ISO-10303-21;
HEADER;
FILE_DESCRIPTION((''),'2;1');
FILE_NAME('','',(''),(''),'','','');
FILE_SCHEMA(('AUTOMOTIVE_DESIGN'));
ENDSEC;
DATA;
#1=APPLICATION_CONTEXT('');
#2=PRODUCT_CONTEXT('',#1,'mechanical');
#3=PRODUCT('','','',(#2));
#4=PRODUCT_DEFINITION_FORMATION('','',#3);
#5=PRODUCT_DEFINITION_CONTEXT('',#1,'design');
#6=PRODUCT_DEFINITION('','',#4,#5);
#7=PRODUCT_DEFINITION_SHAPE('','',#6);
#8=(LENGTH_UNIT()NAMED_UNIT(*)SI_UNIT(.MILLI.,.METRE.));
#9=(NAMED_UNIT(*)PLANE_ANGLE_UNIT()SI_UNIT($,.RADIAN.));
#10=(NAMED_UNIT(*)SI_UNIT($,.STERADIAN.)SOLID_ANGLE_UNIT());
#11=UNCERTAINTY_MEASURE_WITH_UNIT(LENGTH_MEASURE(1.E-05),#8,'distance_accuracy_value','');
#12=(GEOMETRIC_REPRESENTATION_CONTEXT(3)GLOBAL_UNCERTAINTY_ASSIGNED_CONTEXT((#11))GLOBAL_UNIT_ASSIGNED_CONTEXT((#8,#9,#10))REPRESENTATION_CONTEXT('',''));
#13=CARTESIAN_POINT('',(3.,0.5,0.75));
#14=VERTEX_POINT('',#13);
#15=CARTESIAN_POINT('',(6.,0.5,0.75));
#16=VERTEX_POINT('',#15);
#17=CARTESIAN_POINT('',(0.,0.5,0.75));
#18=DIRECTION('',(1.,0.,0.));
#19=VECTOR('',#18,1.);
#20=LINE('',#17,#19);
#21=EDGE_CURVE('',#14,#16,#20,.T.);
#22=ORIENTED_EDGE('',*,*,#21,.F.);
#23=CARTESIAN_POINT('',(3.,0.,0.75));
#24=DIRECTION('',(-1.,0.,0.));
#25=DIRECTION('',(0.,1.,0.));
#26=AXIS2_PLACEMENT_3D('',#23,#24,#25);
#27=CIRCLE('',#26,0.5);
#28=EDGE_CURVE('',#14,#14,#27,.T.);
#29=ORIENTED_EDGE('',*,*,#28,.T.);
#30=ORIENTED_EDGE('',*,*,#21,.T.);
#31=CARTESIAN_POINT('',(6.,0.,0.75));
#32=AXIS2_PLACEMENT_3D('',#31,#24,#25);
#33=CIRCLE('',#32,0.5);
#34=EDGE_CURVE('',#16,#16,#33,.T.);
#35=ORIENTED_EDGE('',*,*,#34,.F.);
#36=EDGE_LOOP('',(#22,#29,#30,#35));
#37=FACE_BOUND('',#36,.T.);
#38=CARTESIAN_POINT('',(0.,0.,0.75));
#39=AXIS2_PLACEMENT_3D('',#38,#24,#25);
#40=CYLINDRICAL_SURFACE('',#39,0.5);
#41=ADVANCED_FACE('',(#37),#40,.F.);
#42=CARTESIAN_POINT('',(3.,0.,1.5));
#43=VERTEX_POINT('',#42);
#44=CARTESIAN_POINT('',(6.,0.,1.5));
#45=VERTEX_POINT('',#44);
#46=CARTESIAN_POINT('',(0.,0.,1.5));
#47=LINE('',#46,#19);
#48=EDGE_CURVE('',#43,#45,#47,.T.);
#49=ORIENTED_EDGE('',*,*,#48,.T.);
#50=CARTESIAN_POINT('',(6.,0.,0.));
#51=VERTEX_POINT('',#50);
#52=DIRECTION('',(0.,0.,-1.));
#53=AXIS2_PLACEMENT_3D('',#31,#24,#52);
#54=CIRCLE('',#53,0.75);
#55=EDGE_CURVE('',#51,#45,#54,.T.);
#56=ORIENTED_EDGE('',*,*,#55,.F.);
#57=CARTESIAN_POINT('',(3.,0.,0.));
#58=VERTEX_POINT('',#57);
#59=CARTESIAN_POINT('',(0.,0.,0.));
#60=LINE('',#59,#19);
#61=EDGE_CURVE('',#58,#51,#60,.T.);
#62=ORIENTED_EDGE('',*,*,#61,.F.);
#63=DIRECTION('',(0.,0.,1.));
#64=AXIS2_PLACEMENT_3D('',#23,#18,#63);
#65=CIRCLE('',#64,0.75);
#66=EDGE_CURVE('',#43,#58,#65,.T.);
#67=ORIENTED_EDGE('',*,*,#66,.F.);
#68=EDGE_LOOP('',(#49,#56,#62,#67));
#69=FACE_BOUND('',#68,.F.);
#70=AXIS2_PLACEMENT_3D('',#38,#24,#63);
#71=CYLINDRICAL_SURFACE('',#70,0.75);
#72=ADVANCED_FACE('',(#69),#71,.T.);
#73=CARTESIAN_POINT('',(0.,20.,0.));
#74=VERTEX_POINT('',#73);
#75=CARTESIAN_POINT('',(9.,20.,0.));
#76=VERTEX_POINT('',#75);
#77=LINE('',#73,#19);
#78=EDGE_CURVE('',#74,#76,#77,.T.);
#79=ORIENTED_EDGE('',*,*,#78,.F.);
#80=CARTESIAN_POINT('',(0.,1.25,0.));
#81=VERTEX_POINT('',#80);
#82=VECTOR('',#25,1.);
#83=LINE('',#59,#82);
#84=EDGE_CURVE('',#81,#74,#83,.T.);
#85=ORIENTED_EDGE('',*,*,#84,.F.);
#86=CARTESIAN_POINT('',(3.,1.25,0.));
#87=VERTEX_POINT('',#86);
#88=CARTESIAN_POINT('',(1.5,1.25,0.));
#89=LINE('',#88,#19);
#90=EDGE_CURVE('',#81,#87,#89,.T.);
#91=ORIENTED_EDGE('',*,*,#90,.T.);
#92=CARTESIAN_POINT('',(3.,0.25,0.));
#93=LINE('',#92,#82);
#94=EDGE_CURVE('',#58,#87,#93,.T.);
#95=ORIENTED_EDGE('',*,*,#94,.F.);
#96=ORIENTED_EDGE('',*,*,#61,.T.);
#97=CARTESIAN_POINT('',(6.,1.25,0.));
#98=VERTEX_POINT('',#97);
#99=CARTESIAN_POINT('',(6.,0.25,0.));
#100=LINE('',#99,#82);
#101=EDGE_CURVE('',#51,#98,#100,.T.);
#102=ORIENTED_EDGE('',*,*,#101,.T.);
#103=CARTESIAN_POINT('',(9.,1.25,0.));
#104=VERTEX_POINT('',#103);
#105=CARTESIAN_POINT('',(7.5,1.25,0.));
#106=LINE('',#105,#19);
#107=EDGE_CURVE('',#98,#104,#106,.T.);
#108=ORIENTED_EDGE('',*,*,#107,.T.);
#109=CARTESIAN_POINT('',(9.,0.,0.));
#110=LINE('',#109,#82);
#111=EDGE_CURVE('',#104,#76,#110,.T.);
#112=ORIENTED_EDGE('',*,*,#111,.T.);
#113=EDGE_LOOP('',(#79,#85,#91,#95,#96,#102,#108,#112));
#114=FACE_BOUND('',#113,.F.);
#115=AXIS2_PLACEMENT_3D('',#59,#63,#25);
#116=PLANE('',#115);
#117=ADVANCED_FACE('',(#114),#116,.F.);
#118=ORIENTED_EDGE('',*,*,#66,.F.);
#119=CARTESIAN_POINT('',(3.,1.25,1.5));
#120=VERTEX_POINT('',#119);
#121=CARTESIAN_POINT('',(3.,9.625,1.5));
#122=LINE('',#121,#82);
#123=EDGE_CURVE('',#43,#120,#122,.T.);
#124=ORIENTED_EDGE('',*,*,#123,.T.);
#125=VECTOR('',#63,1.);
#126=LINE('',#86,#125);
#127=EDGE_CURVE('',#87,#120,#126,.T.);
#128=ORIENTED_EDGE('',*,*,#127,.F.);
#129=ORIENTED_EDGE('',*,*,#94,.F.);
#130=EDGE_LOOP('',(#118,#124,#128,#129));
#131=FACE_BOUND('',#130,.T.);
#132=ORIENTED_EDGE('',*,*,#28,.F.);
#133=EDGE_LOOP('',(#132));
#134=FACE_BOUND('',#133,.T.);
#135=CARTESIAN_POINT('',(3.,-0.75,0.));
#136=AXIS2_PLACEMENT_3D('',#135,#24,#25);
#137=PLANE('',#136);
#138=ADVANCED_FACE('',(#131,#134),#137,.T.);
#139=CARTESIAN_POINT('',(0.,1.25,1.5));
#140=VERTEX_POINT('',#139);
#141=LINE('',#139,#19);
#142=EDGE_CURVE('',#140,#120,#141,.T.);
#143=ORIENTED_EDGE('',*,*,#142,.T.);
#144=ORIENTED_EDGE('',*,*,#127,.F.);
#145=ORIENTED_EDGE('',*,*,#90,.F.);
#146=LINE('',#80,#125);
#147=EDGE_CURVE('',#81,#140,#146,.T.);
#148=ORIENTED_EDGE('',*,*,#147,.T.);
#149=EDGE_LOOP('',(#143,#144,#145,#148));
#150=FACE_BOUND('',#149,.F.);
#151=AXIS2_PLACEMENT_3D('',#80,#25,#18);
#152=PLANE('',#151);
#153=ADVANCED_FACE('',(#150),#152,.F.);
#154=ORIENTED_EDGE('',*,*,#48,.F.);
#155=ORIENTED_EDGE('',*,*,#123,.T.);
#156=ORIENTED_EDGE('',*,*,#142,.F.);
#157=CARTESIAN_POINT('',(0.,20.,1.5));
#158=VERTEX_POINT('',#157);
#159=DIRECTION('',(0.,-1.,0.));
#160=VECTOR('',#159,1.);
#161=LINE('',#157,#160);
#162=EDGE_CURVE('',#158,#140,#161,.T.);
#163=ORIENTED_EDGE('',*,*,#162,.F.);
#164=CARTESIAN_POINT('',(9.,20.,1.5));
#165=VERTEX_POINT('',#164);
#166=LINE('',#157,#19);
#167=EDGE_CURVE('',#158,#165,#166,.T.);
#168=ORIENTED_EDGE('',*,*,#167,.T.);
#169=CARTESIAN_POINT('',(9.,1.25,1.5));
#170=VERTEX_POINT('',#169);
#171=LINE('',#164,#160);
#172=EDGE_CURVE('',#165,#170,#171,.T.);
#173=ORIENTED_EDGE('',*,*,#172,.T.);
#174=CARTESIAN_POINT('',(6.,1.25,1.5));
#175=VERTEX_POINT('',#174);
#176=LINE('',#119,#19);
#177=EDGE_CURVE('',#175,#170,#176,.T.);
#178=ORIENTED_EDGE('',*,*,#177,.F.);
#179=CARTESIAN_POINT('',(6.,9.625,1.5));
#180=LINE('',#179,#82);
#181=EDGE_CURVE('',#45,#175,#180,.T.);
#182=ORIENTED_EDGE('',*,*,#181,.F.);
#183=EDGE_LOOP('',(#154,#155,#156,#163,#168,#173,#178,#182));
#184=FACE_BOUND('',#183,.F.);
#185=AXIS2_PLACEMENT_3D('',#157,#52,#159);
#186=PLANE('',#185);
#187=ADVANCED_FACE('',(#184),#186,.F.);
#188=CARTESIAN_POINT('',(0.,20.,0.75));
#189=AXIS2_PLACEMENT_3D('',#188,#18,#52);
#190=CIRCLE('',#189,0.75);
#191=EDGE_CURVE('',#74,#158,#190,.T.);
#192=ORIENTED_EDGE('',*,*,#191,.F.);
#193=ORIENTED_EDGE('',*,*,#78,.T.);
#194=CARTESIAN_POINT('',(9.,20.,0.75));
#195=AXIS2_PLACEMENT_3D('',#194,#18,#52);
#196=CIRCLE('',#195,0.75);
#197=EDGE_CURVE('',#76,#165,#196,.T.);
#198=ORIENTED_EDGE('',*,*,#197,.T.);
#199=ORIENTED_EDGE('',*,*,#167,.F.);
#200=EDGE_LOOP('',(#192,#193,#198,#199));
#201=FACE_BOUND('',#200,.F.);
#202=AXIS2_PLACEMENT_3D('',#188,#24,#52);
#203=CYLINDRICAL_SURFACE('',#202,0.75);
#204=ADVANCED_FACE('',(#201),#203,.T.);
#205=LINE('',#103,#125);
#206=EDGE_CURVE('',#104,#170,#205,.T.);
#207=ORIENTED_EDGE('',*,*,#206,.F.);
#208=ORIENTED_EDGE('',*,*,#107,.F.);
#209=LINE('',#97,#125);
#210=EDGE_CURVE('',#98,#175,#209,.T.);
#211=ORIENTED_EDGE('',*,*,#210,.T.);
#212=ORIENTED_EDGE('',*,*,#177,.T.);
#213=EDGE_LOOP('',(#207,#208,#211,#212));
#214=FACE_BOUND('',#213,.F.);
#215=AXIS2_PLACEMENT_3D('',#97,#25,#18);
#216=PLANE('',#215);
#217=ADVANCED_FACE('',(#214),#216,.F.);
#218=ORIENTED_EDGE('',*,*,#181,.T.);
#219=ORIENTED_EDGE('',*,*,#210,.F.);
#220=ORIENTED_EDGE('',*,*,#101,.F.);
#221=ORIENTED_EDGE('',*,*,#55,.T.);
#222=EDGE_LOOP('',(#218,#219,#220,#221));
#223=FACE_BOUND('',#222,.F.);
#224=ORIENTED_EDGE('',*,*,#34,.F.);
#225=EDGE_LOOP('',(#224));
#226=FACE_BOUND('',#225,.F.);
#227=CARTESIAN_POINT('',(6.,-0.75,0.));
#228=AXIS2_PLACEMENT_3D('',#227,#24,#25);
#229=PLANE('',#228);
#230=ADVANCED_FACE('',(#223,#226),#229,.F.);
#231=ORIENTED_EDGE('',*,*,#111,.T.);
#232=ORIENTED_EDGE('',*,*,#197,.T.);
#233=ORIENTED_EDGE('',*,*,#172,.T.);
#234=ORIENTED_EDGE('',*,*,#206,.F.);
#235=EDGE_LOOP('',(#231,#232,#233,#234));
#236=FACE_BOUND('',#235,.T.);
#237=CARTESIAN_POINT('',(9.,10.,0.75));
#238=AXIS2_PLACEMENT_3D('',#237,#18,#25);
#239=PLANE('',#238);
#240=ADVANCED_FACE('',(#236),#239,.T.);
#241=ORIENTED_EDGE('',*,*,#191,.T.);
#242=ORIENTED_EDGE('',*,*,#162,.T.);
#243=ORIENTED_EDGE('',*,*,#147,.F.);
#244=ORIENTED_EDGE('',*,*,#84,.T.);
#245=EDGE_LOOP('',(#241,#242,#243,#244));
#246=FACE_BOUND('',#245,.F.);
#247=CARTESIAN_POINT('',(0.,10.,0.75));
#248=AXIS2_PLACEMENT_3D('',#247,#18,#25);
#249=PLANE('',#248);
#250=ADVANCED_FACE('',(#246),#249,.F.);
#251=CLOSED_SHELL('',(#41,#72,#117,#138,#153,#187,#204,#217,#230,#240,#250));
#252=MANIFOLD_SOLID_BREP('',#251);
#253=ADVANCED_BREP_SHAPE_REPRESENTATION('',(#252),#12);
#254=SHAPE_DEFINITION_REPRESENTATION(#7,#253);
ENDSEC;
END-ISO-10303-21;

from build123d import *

# Parameters (mm, degrees)
F0_R     = 0.5
F1_DEPTH = 9
F2_W     = 3
F2_H     = 2
F3_DEPTH = 1.501


with BuildPart() as f1:
    # F0 (on Right) → F1 (new body)
    with BuildSketch(Plane.YZ):
        with BuildLine():
            ThreePointArc((0, 1.5), (-0.75, 0.75), (0, 0))
            Line((0, 0), (20, 0))
            ThreePointArc((20, 0), (20.75, 0.75), (20, 1.5))
            Line((20, 1.5), (0, 1.5))
        make_face()
        with Locations((0, 0.75)):
            Circle(F0_R, mode=Mode.SUBTRACT)
    extrude(amount=F1_DEPTH)

    # F2 (on Top) → F3 (cut, through all)
    with BuildSketch(Plane.XY):
        with Locations((1.5, 0.25)):
            Rectangle(F2_W, F2_H)
        with Locations((7.5, 0.25)):
            Rectangle(F2_W, F2_H)
    extrude(amount=F3_DEPTH, mode=Mode.SUBTRACT)


solid = f1.part
